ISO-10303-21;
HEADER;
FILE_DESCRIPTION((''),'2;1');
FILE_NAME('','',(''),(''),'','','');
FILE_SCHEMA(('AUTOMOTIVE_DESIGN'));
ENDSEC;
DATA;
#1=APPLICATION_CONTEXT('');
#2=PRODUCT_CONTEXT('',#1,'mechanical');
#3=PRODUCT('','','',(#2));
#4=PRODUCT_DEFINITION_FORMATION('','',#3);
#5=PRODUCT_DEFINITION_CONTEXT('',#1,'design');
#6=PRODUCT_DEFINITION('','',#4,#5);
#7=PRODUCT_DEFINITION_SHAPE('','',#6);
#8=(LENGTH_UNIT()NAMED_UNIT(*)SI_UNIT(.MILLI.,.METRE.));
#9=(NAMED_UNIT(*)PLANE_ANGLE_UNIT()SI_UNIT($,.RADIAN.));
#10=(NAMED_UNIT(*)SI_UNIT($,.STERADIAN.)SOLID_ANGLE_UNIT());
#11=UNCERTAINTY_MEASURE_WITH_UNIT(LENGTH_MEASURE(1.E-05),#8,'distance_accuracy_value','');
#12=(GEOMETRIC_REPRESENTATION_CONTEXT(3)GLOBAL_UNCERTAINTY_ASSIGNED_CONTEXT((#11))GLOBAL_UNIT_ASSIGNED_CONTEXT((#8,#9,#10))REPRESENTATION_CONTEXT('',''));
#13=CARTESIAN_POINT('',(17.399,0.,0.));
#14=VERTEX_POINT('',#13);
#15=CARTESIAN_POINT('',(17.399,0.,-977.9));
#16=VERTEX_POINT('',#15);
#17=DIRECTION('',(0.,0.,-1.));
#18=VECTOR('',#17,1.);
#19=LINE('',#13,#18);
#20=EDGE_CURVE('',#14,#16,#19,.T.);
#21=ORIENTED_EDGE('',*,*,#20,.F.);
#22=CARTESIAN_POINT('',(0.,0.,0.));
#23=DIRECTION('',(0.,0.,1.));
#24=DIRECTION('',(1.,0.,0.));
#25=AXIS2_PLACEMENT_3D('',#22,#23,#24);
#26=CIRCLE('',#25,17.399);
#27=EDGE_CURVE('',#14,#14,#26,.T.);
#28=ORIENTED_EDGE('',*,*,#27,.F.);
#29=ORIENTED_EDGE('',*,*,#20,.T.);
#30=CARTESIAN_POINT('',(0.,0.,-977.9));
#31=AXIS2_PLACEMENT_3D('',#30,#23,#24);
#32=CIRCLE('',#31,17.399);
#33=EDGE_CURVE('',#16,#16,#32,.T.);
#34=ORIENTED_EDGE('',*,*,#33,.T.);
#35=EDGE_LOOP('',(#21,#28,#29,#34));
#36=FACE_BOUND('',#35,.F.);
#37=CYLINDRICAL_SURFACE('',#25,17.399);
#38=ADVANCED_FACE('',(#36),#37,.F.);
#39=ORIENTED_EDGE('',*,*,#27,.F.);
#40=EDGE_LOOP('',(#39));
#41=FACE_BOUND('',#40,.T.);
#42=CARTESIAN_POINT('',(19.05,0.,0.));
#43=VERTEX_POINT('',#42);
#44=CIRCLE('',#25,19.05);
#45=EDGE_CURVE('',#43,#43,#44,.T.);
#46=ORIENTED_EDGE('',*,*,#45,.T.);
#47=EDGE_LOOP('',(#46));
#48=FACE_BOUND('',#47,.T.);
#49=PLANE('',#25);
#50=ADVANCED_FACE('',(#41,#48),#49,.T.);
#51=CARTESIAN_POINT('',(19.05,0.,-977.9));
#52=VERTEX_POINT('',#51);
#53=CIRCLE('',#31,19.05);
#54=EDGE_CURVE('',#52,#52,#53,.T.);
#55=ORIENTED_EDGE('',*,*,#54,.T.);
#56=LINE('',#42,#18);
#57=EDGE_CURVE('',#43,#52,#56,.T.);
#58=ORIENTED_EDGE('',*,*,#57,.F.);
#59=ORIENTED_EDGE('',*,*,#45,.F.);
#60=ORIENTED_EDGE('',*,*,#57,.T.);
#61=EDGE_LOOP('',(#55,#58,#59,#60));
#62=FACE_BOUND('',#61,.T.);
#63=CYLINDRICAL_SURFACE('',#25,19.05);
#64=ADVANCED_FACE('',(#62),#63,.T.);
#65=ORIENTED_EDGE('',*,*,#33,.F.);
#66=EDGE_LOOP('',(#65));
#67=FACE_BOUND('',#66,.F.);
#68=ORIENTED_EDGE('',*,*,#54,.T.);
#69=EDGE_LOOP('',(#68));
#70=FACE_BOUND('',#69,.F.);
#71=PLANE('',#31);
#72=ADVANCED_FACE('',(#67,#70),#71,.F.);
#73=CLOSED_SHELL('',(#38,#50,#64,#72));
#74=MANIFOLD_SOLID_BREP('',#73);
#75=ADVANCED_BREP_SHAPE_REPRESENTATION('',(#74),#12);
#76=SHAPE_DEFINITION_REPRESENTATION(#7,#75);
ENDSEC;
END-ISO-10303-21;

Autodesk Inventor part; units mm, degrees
ref_plane "YZ Plane" through (0, 0, 0) normal (1, 0, 0) x (0, 1, 0)
ref_plane "XZ Plane" through (0, 0, 0) normal (0, 1, 0) x (-1, 0, 0)
ref_plane "XY Plane" through (0, 0, 0) normal (0, 0, 1) x (1, 0, 0)
sketch "Sketch1" plane through (0, 0, 0) normal (0, 0, 1) x (1, 0, 0)
  circle A0 centre (0, 0) radius 17.399
  circle A1 centre (0, 0) radius 19.05
  dimension "d0" = 38.1
  dimension "d2" = 34.798
extrude "Extrusion1" add sketch "Sketch1" against normal blind 977.9
properties part number "GE-13022-03" material "Steel"
